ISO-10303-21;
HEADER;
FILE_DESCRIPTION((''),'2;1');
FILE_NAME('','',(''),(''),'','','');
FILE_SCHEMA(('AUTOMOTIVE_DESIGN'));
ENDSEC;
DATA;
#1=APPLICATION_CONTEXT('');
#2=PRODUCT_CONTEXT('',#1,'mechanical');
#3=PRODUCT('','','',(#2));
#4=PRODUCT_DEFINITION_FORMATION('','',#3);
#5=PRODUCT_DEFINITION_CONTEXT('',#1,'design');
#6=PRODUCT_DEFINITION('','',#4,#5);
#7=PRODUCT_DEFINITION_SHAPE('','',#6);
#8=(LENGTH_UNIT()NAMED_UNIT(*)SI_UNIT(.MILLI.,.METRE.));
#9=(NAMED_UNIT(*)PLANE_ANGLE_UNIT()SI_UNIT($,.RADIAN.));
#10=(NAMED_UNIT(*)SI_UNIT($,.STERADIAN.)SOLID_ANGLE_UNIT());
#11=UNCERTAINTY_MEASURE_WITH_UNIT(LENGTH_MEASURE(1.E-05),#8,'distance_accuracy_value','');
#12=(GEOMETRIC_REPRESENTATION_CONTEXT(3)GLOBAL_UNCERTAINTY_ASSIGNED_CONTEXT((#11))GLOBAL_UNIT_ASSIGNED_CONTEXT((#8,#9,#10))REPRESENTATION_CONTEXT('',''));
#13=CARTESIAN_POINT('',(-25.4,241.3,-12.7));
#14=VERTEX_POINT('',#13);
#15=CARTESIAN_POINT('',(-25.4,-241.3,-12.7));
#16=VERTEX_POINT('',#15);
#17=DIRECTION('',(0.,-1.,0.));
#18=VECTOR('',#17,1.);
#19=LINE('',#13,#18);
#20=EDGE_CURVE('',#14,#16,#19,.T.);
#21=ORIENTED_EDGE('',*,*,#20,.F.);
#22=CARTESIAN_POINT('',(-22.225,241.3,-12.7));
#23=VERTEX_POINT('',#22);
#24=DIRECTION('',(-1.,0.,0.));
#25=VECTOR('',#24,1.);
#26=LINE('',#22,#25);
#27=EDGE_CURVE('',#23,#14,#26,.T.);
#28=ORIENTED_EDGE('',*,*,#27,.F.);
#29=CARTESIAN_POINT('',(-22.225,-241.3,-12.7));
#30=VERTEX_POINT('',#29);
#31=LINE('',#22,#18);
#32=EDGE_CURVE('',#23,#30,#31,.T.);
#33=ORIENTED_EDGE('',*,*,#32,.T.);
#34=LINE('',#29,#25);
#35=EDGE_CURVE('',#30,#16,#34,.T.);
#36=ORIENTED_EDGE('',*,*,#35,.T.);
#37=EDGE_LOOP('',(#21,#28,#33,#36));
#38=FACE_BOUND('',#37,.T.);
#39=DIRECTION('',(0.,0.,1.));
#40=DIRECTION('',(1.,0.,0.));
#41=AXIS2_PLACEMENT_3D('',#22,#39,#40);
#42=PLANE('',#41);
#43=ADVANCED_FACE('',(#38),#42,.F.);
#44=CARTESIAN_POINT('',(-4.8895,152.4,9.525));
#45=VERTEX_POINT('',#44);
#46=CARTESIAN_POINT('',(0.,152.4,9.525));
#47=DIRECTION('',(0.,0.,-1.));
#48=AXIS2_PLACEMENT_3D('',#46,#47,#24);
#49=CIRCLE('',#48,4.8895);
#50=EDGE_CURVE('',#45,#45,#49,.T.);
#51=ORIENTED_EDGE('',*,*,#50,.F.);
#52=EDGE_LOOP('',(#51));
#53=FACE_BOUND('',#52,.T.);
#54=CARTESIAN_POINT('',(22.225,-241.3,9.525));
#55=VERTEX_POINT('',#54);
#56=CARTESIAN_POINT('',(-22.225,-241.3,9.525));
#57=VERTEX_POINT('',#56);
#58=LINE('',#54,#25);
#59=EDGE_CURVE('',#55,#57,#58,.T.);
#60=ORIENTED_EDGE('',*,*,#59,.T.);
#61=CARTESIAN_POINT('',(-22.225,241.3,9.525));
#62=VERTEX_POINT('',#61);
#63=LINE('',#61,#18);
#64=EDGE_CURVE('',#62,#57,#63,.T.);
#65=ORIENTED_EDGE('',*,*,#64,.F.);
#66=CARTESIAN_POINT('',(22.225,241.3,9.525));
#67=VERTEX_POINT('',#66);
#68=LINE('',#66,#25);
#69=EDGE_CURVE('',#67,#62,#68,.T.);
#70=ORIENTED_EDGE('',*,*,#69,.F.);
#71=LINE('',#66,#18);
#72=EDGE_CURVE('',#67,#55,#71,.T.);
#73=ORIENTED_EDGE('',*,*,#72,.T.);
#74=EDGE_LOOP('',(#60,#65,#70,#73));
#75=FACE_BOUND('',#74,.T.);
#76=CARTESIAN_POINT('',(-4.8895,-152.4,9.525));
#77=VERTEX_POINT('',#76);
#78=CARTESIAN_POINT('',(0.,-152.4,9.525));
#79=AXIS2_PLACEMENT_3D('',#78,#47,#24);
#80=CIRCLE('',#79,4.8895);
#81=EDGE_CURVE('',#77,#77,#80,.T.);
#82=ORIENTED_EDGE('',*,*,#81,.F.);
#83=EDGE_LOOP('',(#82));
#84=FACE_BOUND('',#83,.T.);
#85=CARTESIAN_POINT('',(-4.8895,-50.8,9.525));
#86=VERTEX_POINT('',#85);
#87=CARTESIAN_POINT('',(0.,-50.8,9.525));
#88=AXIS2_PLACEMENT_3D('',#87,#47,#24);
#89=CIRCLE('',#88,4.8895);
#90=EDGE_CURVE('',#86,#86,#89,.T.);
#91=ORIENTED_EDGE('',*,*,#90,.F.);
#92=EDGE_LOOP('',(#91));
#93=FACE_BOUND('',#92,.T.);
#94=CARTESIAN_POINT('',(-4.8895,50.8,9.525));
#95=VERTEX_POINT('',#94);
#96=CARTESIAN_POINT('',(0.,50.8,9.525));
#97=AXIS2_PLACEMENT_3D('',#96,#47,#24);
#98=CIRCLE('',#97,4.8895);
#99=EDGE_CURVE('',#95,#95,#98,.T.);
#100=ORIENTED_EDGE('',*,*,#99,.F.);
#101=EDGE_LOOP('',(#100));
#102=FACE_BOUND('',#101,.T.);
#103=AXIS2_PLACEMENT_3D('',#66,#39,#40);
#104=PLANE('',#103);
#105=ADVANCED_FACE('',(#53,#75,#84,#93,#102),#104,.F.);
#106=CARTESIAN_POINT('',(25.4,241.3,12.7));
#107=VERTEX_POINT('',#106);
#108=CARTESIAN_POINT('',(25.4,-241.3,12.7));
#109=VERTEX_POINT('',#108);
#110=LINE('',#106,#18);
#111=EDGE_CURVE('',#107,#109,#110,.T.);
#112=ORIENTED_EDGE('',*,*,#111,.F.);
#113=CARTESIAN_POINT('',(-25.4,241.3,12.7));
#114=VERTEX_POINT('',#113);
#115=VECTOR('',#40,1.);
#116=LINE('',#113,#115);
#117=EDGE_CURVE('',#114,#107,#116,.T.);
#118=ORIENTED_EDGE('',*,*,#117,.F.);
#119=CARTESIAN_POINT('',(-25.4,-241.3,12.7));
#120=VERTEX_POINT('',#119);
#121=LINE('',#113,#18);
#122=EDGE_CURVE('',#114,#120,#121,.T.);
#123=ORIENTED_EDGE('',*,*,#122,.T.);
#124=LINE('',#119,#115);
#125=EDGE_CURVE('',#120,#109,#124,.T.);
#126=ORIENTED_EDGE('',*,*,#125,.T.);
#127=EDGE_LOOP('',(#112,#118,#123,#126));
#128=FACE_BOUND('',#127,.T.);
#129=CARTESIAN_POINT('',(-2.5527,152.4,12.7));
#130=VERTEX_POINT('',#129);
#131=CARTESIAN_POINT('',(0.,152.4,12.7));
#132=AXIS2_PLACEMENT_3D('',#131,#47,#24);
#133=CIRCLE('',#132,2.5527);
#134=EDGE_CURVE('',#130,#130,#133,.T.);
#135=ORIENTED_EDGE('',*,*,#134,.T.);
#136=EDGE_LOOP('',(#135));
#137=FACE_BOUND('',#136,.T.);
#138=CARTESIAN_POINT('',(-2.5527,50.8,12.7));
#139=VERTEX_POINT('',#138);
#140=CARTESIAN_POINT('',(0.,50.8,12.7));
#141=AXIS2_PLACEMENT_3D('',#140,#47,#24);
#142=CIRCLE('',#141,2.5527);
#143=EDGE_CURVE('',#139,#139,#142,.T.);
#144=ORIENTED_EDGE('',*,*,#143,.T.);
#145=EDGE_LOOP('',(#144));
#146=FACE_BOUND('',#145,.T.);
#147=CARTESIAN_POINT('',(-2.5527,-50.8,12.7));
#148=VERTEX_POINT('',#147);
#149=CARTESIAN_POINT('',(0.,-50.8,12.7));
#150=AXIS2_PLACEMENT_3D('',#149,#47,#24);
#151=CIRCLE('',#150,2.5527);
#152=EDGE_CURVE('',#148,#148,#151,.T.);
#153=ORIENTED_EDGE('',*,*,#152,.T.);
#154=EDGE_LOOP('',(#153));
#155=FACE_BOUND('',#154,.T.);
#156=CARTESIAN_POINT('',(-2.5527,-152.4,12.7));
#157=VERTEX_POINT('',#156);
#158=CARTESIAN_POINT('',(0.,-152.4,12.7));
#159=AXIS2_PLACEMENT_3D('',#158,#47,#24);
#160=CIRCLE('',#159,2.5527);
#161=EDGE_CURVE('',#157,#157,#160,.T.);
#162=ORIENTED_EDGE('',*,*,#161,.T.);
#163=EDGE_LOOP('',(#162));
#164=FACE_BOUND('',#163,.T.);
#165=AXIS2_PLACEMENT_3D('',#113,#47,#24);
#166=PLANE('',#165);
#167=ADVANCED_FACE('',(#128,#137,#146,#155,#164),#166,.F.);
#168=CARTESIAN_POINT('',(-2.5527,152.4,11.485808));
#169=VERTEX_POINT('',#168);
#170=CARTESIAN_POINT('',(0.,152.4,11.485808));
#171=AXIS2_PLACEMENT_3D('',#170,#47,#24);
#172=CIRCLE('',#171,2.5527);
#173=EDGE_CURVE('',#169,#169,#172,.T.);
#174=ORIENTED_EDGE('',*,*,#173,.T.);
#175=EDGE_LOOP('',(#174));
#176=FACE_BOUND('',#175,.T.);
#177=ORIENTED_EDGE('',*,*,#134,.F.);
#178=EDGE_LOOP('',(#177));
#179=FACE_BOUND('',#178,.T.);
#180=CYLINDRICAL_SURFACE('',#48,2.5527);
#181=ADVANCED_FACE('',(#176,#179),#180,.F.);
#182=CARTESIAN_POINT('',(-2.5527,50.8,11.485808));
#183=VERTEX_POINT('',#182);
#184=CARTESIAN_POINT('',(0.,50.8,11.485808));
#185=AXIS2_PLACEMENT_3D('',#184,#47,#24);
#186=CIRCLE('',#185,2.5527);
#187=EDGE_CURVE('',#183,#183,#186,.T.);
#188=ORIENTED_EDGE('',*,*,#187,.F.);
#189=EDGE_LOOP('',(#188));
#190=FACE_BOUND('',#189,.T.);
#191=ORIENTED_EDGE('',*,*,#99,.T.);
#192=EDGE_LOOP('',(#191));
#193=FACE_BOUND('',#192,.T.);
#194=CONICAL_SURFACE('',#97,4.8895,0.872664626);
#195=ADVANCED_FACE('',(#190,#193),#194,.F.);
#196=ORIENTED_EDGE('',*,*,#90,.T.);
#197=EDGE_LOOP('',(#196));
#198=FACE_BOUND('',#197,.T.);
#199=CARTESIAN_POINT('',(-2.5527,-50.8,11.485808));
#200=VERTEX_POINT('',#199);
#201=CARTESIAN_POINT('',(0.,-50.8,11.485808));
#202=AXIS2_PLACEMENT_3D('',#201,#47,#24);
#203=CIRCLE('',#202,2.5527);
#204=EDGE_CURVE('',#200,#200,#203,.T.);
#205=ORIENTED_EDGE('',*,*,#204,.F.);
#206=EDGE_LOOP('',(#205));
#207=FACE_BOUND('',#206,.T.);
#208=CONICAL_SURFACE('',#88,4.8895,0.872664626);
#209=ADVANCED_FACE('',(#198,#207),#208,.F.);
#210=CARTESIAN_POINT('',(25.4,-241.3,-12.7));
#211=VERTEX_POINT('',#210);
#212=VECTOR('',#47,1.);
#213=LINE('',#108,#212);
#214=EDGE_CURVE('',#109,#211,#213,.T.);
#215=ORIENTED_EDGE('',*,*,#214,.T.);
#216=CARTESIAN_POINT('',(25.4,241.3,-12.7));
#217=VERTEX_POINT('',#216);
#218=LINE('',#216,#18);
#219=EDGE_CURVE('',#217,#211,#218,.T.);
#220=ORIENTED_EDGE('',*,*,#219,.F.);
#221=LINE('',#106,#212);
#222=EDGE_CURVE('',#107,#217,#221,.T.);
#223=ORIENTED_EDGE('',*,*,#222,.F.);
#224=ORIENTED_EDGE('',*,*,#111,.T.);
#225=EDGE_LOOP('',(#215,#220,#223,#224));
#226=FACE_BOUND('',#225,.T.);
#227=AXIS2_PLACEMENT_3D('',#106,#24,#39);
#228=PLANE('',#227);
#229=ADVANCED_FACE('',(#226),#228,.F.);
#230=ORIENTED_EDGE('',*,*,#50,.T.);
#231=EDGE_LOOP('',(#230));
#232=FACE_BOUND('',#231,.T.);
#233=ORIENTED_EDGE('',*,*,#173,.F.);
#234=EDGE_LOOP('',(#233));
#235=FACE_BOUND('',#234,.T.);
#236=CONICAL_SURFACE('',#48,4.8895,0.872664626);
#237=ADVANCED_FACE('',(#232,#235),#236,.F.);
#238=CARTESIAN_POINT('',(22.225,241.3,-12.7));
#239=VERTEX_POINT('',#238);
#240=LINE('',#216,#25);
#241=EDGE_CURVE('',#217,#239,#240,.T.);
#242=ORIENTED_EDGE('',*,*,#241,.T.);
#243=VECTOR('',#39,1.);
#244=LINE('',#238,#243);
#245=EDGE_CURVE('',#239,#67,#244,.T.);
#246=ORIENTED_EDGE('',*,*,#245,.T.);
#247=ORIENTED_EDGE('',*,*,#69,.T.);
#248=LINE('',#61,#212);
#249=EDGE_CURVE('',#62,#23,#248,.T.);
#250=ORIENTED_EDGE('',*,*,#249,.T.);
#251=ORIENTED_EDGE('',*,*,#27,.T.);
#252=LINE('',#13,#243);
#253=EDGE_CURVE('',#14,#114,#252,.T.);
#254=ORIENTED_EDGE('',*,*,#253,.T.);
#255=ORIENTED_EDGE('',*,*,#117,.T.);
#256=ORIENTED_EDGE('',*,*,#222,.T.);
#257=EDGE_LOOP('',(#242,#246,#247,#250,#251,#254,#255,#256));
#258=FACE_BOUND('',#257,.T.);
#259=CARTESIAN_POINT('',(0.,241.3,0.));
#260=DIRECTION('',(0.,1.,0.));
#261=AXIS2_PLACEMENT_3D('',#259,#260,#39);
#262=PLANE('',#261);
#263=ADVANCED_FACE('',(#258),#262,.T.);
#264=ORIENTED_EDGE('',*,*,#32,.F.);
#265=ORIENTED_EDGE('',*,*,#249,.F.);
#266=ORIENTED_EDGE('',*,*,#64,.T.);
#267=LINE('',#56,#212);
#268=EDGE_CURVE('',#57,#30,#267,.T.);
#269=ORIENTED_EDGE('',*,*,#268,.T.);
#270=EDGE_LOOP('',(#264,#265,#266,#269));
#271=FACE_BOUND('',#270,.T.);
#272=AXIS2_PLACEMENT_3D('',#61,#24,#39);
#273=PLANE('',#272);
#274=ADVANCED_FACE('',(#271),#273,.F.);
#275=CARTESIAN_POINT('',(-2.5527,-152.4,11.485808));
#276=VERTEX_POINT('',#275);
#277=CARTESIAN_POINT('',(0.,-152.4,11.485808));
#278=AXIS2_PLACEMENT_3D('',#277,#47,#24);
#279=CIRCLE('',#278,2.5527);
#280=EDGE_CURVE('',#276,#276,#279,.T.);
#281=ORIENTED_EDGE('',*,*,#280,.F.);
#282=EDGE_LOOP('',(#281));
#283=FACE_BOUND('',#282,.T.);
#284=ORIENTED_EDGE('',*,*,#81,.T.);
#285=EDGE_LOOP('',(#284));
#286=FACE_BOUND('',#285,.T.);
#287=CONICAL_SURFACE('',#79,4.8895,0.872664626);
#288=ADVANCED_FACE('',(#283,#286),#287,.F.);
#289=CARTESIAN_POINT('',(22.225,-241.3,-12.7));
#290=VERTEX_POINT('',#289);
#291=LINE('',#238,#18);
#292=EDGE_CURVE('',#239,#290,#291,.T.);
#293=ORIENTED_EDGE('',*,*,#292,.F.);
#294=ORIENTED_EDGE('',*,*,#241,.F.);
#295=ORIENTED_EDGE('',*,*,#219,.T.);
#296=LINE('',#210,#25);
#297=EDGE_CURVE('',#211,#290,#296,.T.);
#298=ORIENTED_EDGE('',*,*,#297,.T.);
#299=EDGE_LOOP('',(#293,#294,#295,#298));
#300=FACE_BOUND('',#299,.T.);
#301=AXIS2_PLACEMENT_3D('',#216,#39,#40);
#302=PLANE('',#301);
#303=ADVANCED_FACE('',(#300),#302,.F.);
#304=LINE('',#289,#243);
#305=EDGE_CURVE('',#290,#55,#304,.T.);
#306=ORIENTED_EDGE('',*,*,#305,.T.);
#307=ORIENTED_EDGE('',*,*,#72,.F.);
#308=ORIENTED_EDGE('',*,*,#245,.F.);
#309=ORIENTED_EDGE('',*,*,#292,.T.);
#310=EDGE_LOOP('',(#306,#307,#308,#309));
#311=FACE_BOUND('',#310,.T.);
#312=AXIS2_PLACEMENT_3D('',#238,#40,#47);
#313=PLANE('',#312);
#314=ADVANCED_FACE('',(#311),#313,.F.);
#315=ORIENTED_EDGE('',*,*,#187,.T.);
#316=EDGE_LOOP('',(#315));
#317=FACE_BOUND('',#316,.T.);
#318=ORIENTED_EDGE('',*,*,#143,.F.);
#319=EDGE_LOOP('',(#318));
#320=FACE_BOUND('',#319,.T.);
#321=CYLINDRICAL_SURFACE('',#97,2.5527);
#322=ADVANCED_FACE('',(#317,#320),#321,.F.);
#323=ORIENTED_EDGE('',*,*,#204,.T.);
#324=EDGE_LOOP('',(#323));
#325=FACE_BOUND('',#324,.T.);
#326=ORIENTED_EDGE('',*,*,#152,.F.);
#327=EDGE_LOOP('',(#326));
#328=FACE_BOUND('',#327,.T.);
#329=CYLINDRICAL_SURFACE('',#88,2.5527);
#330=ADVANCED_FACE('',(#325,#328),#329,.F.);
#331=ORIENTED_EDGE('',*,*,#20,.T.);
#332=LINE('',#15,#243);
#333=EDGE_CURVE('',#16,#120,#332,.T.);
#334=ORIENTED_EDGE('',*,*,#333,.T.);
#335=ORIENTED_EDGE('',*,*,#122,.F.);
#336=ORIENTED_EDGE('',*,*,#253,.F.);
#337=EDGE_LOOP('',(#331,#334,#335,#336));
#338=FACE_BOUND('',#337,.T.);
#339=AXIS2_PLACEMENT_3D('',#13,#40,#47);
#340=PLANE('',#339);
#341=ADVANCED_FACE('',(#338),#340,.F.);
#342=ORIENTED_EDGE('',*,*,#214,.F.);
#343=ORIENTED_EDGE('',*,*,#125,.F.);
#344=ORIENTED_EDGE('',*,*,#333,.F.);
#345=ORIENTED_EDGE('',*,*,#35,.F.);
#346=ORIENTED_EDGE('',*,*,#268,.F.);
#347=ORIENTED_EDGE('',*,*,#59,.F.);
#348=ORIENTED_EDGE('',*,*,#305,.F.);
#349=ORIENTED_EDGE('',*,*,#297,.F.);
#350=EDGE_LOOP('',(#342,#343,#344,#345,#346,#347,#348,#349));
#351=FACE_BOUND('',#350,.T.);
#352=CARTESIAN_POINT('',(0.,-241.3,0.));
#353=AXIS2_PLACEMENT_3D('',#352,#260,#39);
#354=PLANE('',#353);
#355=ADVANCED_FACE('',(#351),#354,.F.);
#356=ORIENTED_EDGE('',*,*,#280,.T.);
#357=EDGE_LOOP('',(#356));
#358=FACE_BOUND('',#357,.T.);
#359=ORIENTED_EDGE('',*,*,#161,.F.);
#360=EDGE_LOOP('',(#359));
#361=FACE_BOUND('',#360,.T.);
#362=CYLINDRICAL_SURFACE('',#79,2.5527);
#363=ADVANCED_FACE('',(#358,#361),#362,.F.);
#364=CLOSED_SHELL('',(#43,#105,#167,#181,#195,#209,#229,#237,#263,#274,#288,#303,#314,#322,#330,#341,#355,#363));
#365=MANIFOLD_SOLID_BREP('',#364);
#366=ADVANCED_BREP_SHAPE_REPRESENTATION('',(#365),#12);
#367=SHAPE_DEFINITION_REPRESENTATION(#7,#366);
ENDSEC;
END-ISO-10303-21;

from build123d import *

# Parameters (mm, degrees)
BOSS_EXTRUDE1_DEPTH = 241.3
LPATTERN1_COUNT     = 4
LPATTERN1_PITCH     = 101.6


with BuildPart() as part:
    # Sketch1 → Boss-Extrude1 (new, symmetric)
    with BuildSketch(Plane(origin=(0, 0, 0), x_dir=(1, 0, 0), z_dir=(0, 1, 0))):
        Polygon((-25.4, 12.7), (-25.4, -12.7), (25.4, -12.7), (25.4, 12.7), (22.225, 12.7), (22.225, -9.525), (-22.225, -9.525), (-22.225, 12.7), align=None)
    extrude(amount=BOSS_EXTRUDE1_DEPTH, both=True)

    # Sketch2 → CSK for #10 Flat Head Machine Screw (100)1 (revolve, cut)
    with BuildSketch(Plane(origin=(0, -152.4, 9.525), x_dir=(0, 1, 0), z_dir=(1, 0, 0))):
        Polygon((0, 0), (0, 3.175), (2.5527, 3.175), (2.5527, 1.960808018), (4.8895, 0), align=None)
    csk_for_10_flat_head_machine_screw_100 = revolve(axis=Axis((0, -152.4, 3.175), (0, 0, 1)), mode=Mode.SUBTRACT)

    # LPattern1: CSK for #10 Flat Head Machine Screw (100)1 ×4
    with Locations(*[(0, i * LPATTERN1_PITCH, 0) for i in range(1, LPATTERN1_COUNT)]):
        add(csk_for_10_flat_head_machine_screw_100, mode=Mode.SUBTRACT)


solid = part.part
